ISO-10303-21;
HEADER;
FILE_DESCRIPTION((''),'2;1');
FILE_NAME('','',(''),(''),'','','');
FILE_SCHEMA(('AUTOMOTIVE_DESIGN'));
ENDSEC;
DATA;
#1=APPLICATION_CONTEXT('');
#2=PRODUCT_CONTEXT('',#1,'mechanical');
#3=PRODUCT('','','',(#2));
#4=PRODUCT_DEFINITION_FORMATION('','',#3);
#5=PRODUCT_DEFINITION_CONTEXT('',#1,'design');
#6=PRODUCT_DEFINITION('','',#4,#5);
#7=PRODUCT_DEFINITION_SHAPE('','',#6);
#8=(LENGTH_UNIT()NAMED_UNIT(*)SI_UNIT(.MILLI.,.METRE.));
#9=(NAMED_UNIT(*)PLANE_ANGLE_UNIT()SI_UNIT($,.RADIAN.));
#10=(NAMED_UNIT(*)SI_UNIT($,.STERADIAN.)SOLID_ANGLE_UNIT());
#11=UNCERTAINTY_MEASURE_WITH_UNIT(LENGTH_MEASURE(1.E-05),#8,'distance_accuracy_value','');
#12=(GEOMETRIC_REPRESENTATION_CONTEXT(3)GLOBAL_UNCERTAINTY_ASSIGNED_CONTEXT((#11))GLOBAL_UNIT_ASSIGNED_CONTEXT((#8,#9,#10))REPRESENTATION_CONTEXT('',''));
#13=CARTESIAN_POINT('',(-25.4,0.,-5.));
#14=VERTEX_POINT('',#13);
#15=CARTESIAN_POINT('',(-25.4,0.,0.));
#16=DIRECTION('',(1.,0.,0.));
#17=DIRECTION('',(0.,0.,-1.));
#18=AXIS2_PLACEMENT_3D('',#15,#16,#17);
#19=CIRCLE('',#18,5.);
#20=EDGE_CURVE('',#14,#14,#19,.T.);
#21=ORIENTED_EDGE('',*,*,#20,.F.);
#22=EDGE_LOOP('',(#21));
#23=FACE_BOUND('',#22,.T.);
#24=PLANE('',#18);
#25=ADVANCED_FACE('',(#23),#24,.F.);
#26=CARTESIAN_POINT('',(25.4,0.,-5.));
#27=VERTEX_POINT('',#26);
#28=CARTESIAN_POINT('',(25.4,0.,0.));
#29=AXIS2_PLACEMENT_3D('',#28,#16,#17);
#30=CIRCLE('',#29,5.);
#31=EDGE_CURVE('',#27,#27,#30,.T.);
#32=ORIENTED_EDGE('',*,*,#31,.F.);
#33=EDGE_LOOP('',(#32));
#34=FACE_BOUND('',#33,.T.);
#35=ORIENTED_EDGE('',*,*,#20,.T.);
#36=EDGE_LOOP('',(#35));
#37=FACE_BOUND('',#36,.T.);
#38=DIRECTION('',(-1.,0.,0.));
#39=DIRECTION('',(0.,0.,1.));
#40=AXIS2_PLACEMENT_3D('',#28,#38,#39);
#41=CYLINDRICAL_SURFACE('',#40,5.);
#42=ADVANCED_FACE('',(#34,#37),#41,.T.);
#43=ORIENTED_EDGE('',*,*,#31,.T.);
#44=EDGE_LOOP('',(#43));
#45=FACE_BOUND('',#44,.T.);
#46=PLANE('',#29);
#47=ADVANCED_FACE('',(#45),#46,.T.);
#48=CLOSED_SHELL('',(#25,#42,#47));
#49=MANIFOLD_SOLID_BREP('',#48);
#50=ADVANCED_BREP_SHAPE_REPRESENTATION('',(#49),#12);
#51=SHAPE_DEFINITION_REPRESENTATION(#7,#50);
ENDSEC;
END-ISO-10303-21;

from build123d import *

# Parameters (mm, degrees)
SKETCH1_R           = 5
BOSS_EXTRUDE1_DEPTH = 25.4


with BuildPart() as part:
    # Sketch1 → Boss-Extrude1 (new body, symmetric)
    with BuildSketch(Plane(origin=(0, 0, 0), x_dir=(0, 0, -1), z_dir=(1, 0, 0))):
        Circle(SKETCH1_R)
    extrude(amount=BOSS_EXTRUDE1_DEPTH, both=True)


solid = part.part
